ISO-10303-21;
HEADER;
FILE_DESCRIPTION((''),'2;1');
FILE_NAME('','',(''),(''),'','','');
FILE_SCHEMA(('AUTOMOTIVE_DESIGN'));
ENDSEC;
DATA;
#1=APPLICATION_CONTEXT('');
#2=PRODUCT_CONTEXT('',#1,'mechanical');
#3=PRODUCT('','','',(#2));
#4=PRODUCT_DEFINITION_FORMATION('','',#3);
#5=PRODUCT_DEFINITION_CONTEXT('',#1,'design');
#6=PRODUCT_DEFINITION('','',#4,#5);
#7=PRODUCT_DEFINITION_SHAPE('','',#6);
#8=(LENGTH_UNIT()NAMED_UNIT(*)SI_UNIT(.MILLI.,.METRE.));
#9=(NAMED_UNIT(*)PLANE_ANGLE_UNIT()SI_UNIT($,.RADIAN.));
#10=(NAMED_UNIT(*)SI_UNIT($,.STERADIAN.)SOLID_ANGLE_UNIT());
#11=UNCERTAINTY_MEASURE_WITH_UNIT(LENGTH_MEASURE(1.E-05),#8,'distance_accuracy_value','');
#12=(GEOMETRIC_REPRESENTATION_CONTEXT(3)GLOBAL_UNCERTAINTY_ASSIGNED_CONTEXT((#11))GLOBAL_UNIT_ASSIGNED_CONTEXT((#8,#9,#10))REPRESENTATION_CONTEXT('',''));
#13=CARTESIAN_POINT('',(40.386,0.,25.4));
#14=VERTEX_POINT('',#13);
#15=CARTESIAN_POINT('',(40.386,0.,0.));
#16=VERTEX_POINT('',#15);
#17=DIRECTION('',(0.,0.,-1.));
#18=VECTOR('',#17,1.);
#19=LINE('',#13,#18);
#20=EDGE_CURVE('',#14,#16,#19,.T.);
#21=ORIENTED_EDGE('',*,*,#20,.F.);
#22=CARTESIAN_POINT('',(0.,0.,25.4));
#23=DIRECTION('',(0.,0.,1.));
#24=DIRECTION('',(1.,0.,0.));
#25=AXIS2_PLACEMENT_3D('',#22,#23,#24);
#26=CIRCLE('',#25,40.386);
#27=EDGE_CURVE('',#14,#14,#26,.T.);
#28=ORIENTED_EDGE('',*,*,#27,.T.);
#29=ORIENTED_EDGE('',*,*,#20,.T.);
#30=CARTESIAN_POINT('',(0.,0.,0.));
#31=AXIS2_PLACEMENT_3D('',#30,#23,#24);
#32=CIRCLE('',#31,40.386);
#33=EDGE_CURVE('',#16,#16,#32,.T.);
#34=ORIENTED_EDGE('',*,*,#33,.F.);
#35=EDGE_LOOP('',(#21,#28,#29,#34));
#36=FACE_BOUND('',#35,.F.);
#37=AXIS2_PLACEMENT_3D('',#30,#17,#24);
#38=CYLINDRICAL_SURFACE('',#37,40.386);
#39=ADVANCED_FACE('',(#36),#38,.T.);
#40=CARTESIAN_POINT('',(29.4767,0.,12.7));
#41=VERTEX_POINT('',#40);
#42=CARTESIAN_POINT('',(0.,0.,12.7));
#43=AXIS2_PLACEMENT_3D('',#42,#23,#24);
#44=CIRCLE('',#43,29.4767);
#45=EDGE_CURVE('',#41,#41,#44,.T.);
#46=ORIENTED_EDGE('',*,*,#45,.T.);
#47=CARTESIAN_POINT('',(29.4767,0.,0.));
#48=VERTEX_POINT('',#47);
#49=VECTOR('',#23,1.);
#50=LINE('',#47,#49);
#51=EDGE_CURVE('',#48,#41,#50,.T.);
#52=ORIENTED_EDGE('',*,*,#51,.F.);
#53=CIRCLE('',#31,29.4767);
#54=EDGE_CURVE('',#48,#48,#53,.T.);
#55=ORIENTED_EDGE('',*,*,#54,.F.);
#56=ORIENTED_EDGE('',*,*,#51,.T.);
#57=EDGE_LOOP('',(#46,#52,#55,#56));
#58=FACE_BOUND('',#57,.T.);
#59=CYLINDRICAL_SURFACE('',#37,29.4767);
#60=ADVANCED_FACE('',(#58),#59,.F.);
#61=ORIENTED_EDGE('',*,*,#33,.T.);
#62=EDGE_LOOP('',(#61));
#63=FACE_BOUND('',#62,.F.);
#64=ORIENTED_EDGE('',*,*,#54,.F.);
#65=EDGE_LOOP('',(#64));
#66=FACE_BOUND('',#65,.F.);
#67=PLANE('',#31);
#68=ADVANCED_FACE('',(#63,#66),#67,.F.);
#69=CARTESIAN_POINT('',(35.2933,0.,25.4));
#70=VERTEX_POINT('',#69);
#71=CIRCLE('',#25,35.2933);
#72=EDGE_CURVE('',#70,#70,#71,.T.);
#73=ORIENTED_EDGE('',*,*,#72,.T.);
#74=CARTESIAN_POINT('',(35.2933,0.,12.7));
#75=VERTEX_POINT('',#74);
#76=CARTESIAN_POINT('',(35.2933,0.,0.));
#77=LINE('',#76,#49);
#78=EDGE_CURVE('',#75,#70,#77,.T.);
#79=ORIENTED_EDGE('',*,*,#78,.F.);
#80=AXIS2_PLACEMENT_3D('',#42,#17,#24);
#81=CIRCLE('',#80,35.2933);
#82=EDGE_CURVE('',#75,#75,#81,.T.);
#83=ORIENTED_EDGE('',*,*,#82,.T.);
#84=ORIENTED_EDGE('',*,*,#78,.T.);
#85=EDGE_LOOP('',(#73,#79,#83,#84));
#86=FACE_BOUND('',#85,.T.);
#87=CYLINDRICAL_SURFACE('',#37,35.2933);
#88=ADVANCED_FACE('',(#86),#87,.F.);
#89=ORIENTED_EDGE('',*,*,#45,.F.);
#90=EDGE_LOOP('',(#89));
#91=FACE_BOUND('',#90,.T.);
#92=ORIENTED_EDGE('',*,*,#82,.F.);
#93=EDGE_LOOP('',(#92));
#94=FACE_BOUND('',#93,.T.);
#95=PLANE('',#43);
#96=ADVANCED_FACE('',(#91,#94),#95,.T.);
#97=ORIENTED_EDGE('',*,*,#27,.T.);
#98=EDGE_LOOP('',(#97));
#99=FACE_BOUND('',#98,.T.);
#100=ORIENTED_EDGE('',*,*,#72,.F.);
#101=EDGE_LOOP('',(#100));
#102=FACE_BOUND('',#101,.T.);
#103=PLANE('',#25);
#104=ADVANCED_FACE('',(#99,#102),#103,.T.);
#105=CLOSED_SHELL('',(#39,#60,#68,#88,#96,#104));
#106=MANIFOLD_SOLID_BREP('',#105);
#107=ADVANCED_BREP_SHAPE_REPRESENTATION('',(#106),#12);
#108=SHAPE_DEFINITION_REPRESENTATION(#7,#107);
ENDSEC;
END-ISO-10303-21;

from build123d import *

# Parameters (mm, degrees)
F0_R     = 40.386
F0_R_2   = 35.2933
F0_R_3   = 29.4767
F1_DEPTH = 12.7
F2_DEPTH = 25.4


with BuildPart() as f1:
    # F0 (on Top) → F1 (new body)
    with BuildSketch(Plane.XY):
        Circle(F0_R)
        Circle(F0_R_2, mode=Mode.SUBTRACT)
        Circle(F0_R_2)
        Circle(F0_R_3, mode=Mode.SUBTRACT)
    extrude(amount=F1_DEPTH)

    # F0 (on Top) → F2 (join)
    with BuildSketch(Plane.XY):
        Circle(F0_R)
        Circle(F0_R_2, mode=Mode.SUBTRACT)
    extrude(amount=F2_DEPTH)


solid = f1.part
